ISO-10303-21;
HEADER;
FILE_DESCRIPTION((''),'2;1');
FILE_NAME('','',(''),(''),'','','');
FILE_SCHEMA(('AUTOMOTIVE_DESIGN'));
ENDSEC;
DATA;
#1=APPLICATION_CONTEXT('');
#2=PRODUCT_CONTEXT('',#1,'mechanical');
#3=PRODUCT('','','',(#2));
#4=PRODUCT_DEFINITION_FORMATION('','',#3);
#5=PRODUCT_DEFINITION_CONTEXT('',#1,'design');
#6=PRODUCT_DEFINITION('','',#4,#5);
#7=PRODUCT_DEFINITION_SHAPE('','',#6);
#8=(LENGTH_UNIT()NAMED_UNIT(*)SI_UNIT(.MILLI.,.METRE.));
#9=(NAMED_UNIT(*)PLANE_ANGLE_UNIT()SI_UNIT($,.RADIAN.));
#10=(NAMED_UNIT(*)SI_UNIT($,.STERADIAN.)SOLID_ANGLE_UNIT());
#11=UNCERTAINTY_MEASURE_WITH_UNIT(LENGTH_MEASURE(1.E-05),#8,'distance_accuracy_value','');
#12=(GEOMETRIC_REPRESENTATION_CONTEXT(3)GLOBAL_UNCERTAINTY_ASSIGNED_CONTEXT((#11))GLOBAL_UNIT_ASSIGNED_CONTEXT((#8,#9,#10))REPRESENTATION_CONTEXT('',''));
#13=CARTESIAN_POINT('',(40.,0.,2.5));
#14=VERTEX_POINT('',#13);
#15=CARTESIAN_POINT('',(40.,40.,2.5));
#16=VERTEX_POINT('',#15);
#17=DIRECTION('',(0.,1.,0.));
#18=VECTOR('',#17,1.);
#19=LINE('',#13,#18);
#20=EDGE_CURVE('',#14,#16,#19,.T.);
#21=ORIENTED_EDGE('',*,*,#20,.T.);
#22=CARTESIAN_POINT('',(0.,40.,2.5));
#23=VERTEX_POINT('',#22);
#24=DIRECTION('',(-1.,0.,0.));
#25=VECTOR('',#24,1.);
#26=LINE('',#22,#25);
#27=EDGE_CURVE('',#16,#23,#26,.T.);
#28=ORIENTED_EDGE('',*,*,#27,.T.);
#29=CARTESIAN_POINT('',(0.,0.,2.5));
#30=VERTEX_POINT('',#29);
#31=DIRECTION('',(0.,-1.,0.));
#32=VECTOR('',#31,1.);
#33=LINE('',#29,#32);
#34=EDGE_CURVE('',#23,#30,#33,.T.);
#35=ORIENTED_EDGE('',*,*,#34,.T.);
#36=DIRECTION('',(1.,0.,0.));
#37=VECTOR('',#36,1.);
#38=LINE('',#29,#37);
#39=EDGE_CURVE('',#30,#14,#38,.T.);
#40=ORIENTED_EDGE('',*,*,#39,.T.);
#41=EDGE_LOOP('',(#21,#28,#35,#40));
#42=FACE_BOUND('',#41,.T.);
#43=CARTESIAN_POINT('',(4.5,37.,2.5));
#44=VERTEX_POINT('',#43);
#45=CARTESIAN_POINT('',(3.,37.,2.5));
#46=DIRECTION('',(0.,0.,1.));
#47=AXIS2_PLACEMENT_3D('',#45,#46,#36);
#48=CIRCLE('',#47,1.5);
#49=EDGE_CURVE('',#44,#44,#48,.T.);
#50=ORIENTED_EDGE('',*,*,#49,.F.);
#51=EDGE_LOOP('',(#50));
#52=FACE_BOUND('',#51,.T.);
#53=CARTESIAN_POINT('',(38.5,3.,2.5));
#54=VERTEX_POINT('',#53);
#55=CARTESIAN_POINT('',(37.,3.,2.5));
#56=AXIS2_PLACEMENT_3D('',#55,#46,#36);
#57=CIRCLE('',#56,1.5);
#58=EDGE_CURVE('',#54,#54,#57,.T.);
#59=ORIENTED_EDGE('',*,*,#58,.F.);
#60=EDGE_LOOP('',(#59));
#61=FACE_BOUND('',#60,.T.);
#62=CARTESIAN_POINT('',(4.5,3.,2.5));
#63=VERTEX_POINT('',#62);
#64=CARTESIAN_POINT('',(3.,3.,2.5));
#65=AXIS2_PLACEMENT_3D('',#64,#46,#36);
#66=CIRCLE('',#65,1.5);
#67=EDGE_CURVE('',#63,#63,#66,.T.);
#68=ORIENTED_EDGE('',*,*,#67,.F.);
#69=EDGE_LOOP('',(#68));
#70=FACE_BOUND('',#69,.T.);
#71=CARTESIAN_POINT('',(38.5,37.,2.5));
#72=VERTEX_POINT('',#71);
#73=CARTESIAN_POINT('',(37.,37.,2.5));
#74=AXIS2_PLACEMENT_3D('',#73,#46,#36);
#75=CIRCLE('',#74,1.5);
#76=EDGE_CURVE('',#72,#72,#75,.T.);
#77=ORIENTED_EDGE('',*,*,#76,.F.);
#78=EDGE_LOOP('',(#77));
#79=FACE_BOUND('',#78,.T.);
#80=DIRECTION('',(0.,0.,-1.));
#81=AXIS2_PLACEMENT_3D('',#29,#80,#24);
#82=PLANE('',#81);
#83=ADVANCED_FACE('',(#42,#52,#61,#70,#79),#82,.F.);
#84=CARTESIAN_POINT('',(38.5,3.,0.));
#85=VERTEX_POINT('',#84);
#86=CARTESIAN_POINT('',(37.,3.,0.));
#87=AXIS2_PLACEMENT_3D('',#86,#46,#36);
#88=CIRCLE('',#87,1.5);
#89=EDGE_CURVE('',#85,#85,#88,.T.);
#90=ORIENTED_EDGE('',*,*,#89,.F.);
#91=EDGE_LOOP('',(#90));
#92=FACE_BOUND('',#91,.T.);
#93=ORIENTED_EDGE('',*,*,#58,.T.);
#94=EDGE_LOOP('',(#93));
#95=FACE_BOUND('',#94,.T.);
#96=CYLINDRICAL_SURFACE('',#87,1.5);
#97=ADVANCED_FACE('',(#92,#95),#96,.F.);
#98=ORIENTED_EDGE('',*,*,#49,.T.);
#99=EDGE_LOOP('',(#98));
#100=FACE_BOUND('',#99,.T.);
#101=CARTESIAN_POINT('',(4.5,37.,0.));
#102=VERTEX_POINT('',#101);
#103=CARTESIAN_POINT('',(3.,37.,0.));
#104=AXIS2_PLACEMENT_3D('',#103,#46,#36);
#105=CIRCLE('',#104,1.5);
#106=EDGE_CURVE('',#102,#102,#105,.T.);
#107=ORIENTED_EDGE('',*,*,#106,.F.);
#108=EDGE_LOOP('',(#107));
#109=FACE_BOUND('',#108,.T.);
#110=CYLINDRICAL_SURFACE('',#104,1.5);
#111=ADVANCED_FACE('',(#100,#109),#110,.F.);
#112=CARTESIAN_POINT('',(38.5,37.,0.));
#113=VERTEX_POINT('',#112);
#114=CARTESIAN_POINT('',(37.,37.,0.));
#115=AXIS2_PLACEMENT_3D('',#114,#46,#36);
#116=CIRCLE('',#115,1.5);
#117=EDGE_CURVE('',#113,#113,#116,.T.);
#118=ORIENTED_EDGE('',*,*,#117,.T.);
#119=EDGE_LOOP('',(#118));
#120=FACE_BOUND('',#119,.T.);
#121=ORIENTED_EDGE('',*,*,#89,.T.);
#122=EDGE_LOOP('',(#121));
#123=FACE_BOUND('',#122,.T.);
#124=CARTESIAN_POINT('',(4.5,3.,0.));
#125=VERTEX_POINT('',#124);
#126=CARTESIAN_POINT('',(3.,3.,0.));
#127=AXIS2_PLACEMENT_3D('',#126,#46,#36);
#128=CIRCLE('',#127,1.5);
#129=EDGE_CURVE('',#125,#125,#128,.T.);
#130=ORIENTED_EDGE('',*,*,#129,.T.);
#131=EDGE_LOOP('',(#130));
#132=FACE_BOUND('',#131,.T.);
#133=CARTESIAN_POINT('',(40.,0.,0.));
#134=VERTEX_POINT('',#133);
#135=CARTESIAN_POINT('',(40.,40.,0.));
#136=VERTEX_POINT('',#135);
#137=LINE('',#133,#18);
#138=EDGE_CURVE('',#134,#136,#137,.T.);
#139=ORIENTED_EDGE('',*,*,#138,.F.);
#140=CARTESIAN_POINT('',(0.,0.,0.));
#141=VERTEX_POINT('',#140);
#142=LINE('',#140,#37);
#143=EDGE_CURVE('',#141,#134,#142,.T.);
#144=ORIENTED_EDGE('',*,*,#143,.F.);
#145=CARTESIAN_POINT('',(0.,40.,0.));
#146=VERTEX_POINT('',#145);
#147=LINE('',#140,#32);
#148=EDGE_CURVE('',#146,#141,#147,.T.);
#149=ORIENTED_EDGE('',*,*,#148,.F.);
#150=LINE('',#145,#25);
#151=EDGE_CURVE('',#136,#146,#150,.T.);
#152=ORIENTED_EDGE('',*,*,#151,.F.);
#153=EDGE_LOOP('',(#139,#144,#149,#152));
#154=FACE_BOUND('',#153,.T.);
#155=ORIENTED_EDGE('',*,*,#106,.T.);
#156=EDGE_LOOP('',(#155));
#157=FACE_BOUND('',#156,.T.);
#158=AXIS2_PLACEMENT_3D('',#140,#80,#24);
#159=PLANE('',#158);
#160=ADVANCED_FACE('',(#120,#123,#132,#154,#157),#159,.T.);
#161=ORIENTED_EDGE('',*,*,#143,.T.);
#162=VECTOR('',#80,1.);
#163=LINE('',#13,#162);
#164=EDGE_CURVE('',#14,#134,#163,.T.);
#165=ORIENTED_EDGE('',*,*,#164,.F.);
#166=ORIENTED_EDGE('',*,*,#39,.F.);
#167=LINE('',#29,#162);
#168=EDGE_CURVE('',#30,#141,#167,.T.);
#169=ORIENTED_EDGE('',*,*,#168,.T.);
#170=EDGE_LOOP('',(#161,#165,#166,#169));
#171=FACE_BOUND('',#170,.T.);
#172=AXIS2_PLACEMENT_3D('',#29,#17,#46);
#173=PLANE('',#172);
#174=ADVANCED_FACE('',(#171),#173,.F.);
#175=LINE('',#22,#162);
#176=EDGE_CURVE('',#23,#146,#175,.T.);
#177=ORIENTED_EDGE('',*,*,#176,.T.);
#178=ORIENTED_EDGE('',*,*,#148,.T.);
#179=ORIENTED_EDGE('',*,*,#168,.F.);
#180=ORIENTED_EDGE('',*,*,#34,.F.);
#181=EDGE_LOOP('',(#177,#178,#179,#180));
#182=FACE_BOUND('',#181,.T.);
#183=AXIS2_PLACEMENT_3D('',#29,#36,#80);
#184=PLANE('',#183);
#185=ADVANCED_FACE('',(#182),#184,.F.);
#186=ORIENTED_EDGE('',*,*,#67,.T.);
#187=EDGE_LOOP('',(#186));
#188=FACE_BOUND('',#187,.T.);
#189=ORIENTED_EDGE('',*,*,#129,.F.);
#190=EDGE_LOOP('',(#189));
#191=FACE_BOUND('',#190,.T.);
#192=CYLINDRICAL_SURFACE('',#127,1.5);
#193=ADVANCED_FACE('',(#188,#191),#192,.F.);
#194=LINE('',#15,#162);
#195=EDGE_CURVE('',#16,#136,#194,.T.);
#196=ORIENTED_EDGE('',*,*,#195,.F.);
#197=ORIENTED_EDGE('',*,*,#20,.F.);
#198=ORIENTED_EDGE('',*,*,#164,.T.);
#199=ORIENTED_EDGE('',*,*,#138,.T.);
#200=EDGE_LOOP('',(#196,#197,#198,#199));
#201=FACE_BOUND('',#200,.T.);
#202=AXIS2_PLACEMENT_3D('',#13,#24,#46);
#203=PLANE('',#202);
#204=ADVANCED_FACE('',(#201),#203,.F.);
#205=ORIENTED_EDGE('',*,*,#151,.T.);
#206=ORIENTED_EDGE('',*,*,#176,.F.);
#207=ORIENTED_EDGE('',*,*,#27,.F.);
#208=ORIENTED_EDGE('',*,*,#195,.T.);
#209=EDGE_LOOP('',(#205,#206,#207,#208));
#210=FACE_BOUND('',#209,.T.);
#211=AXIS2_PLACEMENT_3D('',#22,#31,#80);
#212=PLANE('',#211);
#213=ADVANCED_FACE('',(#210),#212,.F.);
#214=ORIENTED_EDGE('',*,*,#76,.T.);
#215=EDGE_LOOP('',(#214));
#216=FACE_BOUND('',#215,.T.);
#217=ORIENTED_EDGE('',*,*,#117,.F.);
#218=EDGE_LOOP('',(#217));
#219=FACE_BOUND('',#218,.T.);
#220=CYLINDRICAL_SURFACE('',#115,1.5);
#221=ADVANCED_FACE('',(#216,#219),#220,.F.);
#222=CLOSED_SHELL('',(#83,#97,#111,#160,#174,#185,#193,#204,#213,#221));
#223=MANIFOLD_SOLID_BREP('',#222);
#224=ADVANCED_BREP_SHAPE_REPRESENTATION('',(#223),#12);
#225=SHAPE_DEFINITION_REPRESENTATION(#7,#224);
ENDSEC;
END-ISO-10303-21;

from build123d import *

# Parameters (mm, degrees)
SKETCH1_W           = 40
SKETCH1_H           = 40
BOSS_EXTRUDE1_DEPTH = 2.5
SKETCH2_R           = 1.5
CUT_EXTRUDE1_DEPTH  = 2.5


with BuildPart() as part:
    # Sketch1 → Boss-Extrude1 (new body)
    with BuildSketch(Plane.XY):
        with Locations((20, 20)):
            Rectangle(SKETCH1_W, SKETCH1_H)
    extrude(amount=BOSS_EXTRUDE1_DEPTH)

    # Sketch2 → Cut-Extrude1 (cut)
    with BuildSketch(Plane.XY.offset(2.5)):
        with Locations((3, 37)):
            Circle(SKETCH2_R)
        with Locations((37, 37)):
            Circle(SKETCH2_R)
        with Locations((37, 3)):
            Circle(SKETCH2_R)
        with Locations((3, 3)):
            Circle(SKETCH2_R)
    extrude(amount=-CUT_EXTRUDE1_DEPTH, mode=Mode.SUBTRACT)


solid = part.part
